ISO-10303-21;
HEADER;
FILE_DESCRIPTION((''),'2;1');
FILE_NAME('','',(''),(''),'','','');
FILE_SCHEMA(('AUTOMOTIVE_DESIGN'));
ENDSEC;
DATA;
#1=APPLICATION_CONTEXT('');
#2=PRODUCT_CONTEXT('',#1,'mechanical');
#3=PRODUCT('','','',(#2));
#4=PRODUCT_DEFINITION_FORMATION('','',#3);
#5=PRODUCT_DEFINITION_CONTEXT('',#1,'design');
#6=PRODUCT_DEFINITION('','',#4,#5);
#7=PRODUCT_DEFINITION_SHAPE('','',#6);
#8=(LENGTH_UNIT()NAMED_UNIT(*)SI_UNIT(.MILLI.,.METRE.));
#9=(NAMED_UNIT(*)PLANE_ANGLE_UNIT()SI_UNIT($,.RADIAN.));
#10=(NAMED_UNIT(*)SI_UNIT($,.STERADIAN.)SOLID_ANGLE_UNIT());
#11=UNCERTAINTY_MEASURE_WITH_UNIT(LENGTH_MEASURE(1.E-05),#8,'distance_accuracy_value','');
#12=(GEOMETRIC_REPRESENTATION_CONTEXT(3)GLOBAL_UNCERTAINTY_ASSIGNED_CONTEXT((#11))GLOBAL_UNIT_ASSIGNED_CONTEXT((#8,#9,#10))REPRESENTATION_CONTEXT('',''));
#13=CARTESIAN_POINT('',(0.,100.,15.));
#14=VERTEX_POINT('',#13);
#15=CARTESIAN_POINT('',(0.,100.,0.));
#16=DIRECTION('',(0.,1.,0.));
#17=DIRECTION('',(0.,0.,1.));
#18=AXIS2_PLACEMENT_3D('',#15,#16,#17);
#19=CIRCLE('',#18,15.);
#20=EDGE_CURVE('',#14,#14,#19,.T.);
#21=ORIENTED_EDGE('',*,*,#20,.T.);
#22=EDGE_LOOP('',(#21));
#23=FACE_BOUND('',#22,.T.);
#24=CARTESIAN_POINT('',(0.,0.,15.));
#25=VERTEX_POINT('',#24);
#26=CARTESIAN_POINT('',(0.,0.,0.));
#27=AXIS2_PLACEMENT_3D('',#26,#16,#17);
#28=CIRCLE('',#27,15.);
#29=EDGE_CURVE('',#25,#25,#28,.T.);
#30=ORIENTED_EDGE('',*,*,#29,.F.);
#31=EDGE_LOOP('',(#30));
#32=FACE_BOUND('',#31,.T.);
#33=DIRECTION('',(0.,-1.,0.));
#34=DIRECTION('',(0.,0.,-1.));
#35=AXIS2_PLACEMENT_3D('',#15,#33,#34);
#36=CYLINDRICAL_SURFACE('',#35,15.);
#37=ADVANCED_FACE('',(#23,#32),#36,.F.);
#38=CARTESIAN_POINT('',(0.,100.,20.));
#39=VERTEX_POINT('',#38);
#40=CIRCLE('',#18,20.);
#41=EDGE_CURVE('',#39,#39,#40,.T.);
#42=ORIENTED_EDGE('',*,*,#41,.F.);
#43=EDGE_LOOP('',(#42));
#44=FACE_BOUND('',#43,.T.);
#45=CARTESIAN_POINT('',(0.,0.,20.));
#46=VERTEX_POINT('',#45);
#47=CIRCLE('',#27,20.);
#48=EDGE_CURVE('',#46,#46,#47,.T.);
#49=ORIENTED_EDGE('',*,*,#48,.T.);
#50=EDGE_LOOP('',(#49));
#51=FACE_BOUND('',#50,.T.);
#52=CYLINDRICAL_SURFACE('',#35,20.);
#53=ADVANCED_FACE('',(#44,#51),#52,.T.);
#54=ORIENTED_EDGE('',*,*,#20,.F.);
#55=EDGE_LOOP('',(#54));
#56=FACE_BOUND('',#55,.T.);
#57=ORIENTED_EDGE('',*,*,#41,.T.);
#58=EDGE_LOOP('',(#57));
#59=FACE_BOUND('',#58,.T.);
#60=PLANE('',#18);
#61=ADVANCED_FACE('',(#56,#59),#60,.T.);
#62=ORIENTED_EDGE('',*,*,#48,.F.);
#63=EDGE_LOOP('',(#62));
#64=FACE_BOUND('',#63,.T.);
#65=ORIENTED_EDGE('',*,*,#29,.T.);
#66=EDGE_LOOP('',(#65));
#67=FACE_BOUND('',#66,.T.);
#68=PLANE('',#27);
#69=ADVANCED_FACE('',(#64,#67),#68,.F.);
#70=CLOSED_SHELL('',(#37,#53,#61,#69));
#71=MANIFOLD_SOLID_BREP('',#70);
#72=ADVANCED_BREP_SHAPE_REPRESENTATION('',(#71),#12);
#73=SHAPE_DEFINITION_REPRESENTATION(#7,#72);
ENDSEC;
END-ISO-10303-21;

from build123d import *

# Parameters (mm, degrees)
SKETCH1_R          = 20
SKETCH1_R_2        = 15
BASECYLINDER_DEPTH = 100


with BuildPart() as part:
    # Sketch1 → BaseCylinder (new body)
    with BuildSketch(Plane(origin=(0, 0, 0), x_dir=(1, 0, 0), z_dir=(0, 1, 0))):
        with Locations(Location((0, 0, 0), (0, 0, 270))):
            Circle(SKETCH1_R)
        with Locations(Location((0, 0, 0), (0, 0, 270))):
            Circle(SKETCH1_R_2, mode=Mode.SUBTRACT)
    extrude(amount=BASECYLINDER_DEPTH)


solid = part.part
